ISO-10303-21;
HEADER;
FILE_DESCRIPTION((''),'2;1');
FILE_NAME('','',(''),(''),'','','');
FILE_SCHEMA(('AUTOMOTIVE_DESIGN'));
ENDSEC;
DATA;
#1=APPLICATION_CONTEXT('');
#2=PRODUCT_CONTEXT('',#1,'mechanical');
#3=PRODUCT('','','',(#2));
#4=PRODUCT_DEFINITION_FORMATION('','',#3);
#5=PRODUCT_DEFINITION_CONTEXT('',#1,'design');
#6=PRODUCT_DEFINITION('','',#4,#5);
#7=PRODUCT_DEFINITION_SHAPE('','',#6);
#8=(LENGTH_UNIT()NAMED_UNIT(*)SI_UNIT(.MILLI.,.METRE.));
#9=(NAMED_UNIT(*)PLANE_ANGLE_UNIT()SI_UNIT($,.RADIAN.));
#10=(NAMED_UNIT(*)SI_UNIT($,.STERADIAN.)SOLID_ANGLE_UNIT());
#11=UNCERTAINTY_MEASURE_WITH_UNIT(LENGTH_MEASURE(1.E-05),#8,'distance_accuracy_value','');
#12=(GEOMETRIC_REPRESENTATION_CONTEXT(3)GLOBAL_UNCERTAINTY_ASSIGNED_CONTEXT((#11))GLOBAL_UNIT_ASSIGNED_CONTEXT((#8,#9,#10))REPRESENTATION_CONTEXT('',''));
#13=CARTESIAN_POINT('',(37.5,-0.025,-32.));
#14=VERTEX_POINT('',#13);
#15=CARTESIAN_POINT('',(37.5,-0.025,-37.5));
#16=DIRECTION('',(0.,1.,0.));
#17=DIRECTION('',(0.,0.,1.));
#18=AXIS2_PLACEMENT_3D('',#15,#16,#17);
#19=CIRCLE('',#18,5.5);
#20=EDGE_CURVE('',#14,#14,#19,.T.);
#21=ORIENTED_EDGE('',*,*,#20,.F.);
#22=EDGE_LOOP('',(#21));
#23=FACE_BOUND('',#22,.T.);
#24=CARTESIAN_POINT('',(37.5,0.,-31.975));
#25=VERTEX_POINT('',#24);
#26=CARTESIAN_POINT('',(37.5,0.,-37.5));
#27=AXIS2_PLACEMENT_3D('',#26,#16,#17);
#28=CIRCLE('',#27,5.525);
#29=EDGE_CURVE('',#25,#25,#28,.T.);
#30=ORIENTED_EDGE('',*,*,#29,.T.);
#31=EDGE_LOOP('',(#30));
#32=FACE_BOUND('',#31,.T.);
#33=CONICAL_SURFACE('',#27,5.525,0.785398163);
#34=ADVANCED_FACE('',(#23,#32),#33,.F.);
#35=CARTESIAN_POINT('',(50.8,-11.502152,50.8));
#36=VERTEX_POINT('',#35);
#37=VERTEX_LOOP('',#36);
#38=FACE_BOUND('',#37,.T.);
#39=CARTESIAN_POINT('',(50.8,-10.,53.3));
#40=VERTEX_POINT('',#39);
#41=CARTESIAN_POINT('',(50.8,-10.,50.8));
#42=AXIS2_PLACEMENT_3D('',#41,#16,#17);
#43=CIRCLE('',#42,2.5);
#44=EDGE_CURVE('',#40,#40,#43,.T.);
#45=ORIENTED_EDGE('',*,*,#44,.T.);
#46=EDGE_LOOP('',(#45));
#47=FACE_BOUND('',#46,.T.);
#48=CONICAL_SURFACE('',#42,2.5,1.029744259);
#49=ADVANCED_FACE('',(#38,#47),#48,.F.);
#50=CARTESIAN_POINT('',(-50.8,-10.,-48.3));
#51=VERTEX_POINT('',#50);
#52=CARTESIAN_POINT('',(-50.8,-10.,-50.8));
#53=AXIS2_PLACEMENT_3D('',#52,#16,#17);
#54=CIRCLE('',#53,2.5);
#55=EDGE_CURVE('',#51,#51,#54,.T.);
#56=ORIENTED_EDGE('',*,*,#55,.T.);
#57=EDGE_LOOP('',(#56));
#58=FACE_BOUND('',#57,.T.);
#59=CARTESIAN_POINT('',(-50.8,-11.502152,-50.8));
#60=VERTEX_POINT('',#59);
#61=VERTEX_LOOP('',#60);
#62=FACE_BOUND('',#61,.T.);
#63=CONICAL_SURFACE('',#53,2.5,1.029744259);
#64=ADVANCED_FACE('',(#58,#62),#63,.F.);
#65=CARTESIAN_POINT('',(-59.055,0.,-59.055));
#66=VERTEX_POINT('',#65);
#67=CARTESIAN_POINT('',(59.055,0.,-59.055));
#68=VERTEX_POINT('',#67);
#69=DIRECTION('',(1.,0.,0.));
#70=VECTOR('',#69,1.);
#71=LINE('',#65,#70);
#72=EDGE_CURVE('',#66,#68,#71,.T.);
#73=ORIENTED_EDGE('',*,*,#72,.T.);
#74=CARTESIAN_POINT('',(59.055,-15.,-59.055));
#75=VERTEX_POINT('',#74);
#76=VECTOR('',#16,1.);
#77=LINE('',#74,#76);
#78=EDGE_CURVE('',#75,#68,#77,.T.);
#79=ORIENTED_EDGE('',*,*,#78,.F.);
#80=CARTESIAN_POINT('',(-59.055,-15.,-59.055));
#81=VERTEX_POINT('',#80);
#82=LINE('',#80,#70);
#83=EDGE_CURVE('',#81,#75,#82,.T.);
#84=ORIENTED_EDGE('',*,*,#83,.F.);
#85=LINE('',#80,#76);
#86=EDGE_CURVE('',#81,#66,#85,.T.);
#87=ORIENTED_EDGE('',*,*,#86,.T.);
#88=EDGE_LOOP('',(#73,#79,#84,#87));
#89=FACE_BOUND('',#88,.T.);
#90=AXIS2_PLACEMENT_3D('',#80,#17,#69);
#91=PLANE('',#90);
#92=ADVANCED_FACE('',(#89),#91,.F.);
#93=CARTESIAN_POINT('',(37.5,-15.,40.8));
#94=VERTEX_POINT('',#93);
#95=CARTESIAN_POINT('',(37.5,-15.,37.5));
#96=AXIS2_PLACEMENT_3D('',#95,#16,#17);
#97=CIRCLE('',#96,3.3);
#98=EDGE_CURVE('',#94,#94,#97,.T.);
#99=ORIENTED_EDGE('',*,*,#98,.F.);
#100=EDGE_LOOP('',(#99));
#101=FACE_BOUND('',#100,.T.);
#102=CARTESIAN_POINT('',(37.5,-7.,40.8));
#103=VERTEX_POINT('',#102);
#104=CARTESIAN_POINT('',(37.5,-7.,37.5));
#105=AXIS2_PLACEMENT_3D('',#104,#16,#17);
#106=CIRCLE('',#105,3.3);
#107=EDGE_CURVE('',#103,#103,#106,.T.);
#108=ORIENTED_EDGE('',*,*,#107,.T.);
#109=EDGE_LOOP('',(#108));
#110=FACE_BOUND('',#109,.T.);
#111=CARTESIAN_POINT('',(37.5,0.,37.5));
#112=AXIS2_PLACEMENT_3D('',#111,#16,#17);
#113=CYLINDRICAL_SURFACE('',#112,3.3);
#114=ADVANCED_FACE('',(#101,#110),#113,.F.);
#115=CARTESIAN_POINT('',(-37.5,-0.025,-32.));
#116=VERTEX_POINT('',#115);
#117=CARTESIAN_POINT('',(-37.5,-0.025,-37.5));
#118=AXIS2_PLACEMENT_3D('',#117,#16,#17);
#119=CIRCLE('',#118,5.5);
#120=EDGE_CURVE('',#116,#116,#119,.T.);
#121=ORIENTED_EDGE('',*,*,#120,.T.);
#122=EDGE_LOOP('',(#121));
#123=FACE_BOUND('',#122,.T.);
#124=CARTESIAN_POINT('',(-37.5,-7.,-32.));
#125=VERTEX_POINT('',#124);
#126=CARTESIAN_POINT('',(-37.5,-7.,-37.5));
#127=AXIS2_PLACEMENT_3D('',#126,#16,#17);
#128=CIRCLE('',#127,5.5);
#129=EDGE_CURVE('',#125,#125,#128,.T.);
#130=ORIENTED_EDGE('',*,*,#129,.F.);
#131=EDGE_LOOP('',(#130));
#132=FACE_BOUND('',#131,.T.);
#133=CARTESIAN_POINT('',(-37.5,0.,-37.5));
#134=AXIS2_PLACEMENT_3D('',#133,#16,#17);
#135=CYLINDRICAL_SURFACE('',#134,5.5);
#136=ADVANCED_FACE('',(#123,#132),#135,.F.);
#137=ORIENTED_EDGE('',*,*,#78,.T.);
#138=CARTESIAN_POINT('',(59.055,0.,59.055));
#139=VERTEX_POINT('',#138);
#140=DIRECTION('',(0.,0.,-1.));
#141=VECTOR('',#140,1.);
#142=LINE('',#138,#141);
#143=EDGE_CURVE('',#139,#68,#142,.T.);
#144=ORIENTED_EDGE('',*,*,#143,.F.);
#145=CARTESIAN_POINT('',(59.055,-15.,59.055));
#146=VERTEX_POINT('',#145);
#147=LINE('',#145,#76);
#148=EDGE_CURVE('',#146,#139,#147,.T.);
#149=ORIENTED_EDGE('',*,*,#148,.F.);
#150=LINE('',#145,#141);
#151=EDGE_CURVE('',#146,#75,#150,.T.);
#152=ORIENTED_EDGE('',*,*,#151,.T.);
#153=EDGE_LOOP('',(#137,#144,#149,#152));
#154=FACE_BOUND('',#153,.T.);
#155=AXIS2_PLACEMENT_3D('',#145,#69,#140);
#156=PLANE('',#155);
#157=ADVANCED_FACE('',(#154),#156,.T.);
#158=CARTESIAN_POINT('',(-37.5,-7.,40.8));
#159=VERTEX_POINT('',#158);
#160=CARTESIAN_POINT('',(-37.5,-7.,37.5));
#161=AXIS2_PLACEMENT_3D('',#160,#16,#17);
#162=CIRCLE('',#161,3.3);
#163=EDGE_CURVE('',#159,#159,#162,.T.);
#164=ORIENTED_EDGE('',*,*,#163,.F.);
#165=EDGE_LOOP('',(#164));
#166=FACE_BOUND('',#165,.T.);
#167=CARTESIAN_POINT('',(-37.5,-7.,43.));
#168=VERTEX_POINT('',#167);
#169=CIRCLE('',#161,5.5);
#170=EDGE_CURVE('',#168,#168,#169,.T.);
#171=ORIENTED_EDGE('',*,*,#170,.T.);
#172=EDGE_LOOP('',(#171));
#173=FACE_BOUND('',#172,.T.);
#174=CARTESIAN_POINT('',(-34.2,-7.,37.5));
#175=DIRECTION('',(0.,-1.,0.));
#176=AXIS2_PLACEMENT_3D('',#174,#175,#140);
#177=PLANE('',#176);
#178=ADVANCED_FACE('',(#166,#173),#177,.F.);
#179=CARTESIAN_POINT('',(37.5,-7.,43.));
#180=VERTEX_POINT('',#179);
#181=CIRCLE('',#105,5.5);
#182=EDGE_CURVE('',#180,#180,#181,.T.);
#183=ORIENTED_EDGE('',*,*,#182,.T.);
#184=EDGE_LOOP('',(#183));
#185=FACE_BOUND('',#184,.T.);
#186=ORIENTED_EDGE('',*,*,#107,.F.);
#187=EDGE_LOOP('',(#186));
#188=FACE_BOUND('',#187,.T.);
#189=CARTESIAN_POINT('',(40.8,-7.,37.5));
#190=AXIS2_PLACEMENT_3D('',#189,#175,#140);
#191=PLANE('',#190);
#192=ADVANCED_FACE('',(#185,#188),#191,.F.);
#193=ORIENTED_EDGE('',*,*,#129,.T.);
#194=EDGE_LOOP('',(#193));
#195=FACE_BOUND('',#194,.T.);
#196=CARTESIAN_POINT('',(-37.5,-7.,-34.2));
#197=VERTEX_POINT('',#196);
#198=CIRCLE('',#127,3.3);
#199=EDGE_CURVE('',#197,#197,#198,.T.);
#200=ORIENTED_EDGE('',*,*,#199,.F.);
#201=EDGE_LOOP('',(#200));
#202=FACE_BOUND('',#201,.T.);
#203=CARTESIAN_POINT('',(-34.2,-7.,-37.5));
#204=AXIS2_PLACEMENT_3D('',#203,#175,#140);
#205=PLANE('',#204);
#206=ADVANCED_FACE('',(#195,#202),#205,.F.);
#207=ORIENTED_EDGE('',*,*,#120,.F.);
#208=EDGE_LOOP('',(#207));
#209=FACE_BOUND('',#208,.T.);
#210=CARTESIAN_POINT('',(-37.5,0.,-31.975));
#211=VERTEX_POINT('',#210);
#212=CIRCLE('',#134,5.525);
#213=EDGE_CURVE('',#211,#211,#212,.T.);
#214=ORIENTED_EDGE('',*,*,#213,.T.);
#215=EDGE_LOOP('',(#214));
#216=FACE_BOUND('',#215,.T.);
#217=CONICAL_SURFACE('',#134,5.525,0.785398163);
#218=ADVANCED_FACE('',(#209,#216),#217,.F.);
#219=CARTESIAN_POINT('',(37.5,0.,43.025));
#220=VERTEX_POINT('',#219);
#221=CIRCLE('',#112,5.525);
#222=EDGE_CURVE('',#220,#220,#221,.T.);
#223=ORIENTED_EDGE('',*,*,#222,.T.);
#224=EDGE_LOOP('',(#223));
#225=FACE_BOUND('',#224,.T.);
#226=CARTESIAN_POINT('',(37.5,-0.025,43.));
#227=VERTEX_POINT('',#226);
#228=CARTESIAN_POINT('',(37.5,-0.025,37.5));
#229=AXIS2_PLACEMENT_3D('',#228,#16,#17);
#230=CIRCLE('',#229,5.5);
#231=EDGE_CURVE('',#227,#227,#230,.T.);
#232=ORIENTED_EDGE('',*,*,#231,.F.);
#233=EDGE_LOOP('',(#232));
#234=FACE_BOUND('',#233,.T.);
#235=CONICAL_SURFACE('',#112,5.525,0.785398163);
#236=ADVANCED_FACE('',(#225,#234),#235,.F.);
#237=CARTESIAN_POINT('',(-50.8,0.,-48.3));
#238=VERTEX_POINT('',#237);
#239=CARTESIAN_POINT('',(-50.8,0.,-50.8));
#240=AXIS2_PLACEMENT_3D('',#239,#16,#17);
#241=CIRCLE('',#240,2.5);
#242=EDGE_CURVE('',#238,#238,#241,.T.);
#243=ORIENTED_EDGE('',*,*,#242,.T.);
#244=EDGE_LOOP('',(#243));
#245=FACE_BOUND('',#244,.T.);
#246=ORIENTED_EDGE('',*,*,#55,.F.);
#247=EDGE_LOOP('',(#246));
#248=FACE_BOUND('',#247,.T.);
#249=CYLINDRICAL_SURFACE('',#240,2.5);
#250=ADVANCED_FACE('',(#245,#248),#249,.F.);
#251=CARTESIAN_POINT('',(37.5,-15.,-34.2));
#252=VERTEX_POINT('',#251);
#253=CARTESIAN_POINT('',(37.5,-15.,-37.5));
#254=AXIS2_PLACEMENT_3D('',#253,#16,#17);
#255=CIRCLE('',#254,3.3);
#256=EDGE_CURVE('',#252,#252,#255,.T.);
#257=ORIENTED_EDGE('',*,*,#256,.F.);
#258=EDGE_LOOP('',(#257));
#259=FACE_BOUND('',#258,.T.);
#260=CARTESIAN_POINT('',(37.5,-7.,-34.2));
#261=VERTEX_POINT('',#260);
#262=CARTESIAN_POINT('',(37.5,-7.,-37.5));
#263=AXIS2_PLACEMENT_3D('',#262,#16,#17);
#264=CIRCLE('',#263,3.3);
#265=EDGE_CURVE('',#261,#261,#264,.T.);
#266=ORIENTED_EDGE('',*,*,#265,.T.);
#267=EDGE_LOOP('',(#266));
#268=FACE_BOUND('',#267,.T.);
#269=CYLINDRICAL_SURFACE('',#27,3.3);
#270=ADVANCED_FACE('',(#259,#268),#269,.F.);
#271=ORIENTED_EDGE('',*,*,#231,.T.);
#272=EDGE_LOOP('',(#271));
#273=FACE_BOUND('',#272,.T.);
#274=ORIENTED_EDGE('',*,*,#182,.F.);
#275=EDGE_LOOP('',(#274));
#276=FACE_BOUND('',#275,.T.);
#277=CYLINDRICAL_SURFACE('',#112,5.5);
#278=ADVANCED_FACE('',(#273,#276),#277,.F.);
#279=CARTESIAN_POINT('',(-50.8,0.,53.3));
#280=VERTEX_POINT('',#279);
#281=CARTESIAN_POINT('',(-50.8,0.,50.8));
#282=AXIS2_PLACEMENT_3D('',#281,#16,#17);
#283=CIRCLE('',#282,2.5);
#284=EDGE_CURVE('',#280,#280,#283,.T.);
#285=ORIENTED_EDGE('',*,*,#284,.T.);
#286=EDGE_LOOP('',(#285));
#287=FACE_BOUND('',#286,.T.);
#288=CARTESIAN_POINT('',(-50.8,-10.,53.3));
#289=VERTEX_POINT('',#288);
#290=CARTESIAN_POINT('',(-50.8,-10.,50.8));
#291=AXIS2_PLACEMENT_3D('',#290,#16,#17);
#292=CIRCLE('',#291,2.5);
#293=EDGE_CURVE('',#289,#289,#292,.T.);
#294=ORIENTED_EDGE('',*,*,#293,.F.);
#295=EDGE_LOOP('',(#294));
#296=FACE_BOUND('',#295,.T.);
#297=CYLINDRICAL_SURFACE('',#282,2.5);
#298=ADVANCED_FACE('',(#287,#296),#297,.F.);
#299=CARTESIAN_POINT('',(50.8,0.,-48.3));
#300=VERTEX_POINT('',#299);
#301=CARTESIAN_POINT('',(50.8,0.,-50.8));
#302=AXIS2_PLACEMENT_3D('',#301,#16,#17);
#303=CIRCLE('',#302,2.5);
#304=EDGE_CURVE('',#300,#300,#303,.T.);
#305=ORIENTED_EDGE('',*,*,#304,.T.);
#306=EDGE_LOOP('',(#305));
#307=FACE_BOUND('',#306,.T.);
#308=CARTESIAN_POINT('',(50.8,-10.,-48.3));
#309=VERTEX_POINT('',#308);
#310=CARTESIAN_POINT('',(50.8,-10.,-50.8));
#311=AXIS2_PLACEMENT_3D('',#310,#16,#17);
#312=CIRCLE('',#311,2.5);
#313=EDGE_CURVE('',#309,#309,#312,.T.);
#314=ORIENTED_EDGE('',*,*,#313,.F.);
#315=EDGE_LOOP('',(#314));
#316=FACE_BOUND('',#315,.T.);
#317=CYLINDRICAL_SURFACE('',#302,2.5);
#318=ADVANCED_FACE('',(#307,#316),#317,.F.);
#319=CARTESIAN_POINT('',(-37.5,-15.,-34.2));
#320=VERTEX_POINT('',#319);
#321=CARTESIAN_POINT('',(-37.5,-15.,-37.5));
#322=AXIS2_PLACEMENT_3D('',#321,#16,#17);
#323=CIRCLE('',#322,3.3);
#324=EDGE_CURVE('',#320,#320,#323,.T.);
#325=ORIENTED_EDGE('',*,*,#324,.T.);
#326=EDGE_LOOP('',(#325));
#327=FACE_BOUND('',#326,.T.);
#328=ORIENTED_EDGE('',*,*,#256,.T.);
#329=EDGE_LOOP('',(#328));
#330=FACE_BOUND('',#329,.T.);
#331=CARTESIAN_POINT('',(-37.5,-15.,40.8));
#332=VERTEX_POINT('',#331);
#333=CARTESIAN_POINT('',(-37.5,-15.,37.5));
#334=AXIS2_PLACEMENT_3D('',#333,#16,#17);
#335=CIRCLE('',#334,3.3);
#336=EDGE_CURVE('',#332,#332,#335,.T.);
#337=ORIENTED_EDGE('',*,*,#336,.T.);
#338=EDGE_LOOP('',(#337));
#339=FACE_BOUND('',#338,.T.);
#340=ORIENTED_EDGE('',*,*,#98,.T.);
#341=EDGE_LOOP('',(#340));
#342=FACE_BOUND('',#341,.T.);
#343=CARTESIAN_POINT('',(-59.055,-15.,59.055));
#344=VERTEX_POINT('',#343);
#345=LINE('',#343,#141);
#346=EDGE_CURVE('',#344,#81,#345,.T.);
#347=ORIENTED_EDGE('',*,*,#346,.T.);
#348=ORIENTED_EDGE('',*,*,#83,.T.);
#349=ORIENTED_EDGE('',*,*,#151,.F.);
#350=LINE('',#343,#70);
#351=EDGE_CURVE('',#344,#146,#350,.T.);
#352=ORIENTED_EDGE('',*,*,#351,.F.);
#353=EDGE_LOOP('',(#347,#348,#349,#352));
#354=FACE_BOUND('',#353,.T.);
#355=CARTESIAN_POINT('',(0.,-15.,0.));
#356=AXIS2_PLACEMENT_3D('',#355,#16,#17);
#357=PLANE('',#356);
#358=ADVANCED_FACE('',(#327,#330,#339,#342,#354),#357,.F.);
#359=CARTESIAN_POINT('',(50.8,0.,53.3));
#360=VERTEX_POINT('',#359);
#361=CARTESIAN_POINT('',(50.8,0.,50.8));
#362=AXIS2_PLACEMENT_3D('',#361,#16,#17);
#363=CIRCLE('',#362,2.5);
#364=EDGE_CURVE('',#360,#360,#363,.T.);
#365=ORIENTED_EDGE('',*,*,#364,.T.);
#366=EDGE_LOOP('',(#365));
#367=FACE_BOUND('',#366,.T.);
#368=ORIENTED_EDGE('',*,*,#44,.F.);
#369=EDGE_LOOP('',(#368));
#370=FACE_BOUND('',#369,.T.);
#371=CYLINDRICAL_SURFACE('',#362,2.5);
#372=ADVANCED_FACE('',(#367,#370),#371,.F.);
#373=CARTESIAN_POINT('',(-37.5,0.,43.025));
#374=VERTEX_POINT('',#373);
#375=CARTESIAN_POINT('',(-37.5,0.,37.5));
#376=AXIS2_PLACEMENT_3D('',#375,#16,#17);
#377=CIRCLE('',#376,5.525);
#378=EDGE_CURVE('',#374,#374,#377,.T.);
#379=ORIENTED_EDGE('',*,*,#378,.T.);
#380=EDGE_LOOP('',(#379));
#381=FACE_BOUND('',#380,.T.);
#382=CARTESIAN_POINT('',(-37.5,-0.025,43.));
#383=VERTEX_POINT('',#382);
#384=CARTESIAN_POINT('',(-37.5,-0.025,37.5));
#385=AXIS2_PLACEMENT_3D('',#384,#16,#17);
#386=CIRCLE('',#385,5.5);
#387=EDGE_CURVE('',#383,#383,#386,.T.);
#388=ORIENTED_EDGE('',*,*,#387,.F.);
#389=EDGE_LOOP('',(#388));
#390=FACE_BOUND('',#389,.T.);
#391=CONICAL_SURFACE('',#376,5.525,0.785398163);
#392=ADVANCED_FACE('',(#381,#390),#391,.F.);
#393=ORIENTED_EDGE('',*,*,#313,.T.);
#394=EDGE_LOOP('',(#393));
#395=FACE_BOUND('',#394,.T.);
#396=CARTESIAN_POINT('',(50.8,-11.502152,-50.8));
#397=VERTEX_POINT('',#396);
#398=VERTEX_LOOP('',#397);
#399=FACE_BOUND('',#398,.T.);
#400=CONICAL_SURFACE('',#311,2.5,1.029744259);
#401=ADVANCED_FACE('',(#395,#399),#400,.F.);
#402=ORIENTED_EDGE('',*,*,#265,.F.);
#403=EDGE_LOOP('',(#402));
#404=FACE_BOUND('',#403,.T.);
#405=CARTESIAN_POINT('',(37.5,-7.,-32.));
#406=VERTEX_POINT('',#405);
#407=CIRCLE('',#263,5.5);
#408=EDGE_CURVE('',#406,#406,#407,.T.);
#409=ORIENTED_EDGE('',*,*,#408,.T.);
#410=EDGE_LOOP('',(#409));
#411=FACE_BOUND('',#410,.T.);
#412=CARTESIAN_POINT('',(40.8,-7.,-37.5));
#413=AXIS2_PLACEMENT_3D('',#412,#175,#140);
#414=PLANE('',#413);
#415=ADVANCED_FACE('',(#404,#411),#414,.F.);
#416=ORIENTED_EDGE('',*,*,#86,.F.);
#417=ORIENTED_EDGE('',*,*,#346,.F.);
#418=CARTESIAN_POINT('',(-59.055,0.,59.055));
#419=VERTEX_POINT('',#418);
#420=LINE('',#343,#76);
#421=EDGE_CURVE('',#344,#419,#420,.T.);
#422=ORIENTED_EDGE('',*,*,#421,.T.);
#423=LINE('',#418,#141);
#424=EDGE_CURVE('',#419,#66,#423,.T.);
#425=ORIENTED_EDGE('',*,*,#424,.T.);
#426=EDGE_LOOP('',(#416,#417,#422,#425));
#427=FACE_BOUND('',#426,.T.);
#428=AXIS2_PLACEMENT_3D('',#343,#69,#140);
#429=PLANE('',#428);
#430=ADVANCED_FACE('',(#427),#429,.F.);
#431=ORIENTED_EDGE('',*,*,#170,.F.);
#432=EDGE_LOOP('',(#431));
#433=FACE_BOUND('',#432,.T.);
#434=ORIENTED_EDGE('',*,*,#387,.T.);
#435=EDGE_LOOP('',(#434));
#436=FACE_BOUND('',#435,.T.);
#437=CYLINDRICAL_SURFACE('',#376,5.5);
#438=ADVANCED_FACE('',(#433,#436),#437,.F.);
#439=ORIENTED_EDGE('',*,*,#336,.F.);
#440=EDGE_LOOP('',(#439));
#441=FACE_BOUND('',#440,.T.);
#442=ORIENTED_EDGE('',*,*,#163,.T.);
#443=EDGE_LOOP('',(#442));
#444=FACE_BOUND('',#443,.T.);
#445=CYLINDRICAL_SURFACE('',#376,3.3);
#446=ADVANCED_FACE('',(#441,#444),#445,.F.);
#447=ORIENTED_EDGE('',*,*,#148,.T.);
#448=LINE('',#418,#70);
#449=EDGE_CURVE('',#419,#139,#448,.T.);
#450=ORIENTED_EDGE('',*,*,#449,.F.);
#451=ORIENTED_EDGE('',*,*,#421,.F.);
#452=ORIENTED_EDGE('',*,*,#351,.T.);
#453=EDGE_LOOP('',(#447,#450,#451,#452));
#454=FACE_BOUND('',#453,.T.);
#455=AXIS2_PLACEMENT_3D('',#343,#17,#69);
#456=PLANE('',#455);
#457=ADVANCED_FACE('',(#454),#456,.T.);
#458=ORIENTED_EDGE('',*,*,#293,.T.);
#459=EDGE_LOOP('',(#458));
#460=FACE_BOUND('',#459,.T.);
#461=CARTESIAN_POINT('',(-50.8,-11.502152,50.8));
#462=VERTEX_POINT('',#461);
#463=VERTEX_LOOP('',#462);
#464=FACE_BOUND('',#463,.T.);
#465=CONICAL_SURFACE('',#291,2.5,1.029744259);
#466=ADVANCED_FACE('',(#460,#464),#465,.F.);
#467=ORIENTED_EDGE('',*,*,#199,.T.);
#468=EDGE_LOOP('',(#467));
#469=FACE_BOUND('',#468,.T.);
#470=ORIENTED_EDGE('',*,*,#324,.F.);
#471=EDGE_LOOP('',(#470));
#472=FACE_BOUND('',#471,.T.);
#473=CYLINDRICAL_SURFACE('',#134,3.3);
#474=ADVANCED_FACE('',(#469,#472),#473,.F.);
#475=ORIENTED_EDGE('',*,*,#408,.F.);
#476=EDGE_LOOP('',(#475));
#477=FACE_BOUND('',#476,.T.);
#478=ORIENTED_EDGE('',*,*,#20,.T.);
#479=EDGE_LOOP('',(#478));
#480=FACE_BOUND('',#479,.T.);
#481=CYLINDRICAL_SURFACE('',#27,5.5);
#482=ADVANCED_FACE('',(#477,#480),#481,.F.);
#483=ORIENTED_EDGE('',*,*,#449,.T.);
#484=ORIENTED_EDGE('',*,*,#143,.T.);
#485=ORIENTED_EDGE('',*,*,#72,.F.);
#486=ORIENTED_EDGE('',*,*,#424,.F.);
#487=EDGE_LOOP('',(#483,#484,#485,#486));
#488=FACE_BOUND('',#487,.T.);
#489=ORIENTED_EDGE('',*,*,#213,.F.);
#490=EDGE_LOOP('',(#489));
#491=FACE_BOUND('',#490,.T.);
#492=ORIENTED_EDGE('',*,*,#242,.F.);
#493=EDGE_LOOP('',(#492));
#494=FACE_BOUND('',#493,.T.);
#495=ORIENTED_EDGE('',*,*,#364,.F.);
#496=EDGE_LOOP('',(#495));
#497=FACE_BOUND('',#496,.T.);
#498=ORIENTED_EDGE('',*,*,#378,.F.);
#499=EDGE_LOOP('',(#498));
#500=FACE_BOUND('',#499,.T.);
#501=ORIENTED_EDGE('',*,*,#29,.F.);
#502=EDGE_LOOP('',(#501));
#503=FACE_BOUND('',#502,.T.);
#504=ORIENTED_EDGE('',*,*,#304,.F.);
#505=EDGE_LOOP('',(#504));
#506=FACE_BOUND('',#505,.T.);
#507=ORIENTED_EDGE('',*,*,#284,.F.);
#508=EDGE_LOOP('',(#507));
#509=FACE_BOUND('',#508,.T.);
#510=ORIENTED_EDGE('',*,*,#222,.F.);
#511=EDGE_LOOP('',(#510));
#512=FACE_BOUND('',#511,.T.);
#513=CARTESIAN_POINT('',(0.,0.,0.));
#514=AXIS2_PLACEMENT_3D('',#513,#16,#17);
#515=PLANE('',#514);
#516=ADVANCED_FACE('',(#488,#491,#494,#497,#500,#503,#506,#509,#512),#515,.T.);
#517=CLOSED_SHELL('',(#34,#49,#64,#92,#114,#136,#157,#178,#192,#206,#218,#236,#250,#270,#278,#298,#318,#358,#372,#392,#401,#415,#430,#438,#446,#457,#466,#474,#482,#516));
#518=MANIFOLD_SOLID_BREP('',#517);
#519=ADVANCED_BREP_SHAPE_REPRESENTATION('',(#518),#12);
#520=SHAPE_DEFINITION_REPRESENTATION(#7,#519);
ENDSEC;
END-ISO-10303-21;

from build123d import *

# Parameters (mm, degrees)
SKETCH1_W                     = 118.11
SKETCH1_H                     = 118.11
BOSS_EXTRUDE1_DEPTH           = 15
CBORE_FOR_M6_SHCS1_AT_2_COUNT = 2
CBORE_FOR_M6_SHCS1_AT_2_PITCH = 75
CBORE_FOR_M6_SHCS1_AT_3_COUNT = 2
CBORE_FOR_M6_SHCS1_AT_3_PITCH = 106.066017178
CBORE_FOR_M6_SHCS1_AT_4_COUNT = 2
CBORE_FOR_M6_SHCS1_AT_4_PITCH = 75
M6X1_0_TAPPED_HOLE1_D         = 5
M6X1_0_TAPPED_HOLE1_DEPTH     = 10
M6X1_0_TAPPED_HOLE1_TIP       = 1.502151548


with BuildPart() as part:
    # Sketch1 → Boss-Extrude1 (new body)
    with BuildSketch(Plane(origin=(0, 0, 0), x_dir=(1, 0, 0), z_dir=(0, 1, 0))):
        Rectangle(SKETCH1_W, SKETCH1_H)
    extrude(amount=-BOSS_EXTRUDE1_DEPTH)

    # Sketch5 → CBORE for M6 SHCS1 (revolve, cut)
    with BuildSketch(Plane(origin=(-37.5, 0, 37.5), x_dir=(0, 0, 1), z_dir=(1, 0, 0))):
        Polygon((0, 0), (0, 16.982840043), (3.3, 15), (3.3, 7), (5.5, 7), (5.5, 0.025), (5.525, 0), align=None)
    cbore_for_m6_shcs1 = revolve(axis=Axis((-37.5, 6.35, 37.5), (0, -1, 0)), mode=Mode.SUBTRACT)

    # CBORE for M6 SHCS1 at 2: CBORE for M6 SHCS1 ×2
    with Locations(*[(i * CBORE_FOR_M6_SHCS1_AT_2_PITCH, 0, 0) for i in range(1, CBORE_FOR_M6_SHCS1_AT_2_COUNT)]):
        add(cbore_for_m6_shcs1, mode=Mode.SUBTRACT)

    # CBORE for M6 SHCS1 at 3: CBORE for M6 SHCS1 ×2
    with Locations(*[Vector(0.707106781, 0, -0.707106781) * (i * CBORE_FOR_M6_SHCS1_AT_3_PITCH) for i in range(1, CBORE_FOR_M6_SHCS1_AT_3_COUNT)]):
        add(cbore_for_m6_shcs1, mode=Mode.SUBTRACT)

    # CBORE for M6 SHCS1 at 4: CBORE for M6 SHCS1 ×2
    with Locations(*[(0, 0, -i * CBORE_FOR_M6_SHCS1_AT_4_PITCH) for i in range(1, CBORE_FOR_M6_SHCS1_AT_4_COUNT)]):
        add(cbore_for_m6_shcs1, mode=Mode.SUBTRACT)

    # M6x1.0 Tapped Hole1
    with Locations(Plane(origin=(0, 0, 0), x_dir=(1, 0, 0), z_dir=(0, 1, 0))):
        with Locations((-50.8, -50.8), (-50.8, 50.8), (50.8, 50.8), (50.8, -50.8)):
            Hole(M6X1_0_TAPPED_HOLE1_D / 2, depth=M6X1_0_TAPPED_HOLE1_DEPTH)
            with Locations((0, 0, -(M6X1_0_TAPPED_HOLE1_DEPTH + M6X1_0_TAPPED_HOLE1_TIP / 2))):  # 118° drill point
                Cone(0, M6X1_0_TAPPED_HOLE1_D / 2, M6X1_0_TAPPED_HOLE1_TIP, mode=Mode.SUBTRACT)


solid = part.part
